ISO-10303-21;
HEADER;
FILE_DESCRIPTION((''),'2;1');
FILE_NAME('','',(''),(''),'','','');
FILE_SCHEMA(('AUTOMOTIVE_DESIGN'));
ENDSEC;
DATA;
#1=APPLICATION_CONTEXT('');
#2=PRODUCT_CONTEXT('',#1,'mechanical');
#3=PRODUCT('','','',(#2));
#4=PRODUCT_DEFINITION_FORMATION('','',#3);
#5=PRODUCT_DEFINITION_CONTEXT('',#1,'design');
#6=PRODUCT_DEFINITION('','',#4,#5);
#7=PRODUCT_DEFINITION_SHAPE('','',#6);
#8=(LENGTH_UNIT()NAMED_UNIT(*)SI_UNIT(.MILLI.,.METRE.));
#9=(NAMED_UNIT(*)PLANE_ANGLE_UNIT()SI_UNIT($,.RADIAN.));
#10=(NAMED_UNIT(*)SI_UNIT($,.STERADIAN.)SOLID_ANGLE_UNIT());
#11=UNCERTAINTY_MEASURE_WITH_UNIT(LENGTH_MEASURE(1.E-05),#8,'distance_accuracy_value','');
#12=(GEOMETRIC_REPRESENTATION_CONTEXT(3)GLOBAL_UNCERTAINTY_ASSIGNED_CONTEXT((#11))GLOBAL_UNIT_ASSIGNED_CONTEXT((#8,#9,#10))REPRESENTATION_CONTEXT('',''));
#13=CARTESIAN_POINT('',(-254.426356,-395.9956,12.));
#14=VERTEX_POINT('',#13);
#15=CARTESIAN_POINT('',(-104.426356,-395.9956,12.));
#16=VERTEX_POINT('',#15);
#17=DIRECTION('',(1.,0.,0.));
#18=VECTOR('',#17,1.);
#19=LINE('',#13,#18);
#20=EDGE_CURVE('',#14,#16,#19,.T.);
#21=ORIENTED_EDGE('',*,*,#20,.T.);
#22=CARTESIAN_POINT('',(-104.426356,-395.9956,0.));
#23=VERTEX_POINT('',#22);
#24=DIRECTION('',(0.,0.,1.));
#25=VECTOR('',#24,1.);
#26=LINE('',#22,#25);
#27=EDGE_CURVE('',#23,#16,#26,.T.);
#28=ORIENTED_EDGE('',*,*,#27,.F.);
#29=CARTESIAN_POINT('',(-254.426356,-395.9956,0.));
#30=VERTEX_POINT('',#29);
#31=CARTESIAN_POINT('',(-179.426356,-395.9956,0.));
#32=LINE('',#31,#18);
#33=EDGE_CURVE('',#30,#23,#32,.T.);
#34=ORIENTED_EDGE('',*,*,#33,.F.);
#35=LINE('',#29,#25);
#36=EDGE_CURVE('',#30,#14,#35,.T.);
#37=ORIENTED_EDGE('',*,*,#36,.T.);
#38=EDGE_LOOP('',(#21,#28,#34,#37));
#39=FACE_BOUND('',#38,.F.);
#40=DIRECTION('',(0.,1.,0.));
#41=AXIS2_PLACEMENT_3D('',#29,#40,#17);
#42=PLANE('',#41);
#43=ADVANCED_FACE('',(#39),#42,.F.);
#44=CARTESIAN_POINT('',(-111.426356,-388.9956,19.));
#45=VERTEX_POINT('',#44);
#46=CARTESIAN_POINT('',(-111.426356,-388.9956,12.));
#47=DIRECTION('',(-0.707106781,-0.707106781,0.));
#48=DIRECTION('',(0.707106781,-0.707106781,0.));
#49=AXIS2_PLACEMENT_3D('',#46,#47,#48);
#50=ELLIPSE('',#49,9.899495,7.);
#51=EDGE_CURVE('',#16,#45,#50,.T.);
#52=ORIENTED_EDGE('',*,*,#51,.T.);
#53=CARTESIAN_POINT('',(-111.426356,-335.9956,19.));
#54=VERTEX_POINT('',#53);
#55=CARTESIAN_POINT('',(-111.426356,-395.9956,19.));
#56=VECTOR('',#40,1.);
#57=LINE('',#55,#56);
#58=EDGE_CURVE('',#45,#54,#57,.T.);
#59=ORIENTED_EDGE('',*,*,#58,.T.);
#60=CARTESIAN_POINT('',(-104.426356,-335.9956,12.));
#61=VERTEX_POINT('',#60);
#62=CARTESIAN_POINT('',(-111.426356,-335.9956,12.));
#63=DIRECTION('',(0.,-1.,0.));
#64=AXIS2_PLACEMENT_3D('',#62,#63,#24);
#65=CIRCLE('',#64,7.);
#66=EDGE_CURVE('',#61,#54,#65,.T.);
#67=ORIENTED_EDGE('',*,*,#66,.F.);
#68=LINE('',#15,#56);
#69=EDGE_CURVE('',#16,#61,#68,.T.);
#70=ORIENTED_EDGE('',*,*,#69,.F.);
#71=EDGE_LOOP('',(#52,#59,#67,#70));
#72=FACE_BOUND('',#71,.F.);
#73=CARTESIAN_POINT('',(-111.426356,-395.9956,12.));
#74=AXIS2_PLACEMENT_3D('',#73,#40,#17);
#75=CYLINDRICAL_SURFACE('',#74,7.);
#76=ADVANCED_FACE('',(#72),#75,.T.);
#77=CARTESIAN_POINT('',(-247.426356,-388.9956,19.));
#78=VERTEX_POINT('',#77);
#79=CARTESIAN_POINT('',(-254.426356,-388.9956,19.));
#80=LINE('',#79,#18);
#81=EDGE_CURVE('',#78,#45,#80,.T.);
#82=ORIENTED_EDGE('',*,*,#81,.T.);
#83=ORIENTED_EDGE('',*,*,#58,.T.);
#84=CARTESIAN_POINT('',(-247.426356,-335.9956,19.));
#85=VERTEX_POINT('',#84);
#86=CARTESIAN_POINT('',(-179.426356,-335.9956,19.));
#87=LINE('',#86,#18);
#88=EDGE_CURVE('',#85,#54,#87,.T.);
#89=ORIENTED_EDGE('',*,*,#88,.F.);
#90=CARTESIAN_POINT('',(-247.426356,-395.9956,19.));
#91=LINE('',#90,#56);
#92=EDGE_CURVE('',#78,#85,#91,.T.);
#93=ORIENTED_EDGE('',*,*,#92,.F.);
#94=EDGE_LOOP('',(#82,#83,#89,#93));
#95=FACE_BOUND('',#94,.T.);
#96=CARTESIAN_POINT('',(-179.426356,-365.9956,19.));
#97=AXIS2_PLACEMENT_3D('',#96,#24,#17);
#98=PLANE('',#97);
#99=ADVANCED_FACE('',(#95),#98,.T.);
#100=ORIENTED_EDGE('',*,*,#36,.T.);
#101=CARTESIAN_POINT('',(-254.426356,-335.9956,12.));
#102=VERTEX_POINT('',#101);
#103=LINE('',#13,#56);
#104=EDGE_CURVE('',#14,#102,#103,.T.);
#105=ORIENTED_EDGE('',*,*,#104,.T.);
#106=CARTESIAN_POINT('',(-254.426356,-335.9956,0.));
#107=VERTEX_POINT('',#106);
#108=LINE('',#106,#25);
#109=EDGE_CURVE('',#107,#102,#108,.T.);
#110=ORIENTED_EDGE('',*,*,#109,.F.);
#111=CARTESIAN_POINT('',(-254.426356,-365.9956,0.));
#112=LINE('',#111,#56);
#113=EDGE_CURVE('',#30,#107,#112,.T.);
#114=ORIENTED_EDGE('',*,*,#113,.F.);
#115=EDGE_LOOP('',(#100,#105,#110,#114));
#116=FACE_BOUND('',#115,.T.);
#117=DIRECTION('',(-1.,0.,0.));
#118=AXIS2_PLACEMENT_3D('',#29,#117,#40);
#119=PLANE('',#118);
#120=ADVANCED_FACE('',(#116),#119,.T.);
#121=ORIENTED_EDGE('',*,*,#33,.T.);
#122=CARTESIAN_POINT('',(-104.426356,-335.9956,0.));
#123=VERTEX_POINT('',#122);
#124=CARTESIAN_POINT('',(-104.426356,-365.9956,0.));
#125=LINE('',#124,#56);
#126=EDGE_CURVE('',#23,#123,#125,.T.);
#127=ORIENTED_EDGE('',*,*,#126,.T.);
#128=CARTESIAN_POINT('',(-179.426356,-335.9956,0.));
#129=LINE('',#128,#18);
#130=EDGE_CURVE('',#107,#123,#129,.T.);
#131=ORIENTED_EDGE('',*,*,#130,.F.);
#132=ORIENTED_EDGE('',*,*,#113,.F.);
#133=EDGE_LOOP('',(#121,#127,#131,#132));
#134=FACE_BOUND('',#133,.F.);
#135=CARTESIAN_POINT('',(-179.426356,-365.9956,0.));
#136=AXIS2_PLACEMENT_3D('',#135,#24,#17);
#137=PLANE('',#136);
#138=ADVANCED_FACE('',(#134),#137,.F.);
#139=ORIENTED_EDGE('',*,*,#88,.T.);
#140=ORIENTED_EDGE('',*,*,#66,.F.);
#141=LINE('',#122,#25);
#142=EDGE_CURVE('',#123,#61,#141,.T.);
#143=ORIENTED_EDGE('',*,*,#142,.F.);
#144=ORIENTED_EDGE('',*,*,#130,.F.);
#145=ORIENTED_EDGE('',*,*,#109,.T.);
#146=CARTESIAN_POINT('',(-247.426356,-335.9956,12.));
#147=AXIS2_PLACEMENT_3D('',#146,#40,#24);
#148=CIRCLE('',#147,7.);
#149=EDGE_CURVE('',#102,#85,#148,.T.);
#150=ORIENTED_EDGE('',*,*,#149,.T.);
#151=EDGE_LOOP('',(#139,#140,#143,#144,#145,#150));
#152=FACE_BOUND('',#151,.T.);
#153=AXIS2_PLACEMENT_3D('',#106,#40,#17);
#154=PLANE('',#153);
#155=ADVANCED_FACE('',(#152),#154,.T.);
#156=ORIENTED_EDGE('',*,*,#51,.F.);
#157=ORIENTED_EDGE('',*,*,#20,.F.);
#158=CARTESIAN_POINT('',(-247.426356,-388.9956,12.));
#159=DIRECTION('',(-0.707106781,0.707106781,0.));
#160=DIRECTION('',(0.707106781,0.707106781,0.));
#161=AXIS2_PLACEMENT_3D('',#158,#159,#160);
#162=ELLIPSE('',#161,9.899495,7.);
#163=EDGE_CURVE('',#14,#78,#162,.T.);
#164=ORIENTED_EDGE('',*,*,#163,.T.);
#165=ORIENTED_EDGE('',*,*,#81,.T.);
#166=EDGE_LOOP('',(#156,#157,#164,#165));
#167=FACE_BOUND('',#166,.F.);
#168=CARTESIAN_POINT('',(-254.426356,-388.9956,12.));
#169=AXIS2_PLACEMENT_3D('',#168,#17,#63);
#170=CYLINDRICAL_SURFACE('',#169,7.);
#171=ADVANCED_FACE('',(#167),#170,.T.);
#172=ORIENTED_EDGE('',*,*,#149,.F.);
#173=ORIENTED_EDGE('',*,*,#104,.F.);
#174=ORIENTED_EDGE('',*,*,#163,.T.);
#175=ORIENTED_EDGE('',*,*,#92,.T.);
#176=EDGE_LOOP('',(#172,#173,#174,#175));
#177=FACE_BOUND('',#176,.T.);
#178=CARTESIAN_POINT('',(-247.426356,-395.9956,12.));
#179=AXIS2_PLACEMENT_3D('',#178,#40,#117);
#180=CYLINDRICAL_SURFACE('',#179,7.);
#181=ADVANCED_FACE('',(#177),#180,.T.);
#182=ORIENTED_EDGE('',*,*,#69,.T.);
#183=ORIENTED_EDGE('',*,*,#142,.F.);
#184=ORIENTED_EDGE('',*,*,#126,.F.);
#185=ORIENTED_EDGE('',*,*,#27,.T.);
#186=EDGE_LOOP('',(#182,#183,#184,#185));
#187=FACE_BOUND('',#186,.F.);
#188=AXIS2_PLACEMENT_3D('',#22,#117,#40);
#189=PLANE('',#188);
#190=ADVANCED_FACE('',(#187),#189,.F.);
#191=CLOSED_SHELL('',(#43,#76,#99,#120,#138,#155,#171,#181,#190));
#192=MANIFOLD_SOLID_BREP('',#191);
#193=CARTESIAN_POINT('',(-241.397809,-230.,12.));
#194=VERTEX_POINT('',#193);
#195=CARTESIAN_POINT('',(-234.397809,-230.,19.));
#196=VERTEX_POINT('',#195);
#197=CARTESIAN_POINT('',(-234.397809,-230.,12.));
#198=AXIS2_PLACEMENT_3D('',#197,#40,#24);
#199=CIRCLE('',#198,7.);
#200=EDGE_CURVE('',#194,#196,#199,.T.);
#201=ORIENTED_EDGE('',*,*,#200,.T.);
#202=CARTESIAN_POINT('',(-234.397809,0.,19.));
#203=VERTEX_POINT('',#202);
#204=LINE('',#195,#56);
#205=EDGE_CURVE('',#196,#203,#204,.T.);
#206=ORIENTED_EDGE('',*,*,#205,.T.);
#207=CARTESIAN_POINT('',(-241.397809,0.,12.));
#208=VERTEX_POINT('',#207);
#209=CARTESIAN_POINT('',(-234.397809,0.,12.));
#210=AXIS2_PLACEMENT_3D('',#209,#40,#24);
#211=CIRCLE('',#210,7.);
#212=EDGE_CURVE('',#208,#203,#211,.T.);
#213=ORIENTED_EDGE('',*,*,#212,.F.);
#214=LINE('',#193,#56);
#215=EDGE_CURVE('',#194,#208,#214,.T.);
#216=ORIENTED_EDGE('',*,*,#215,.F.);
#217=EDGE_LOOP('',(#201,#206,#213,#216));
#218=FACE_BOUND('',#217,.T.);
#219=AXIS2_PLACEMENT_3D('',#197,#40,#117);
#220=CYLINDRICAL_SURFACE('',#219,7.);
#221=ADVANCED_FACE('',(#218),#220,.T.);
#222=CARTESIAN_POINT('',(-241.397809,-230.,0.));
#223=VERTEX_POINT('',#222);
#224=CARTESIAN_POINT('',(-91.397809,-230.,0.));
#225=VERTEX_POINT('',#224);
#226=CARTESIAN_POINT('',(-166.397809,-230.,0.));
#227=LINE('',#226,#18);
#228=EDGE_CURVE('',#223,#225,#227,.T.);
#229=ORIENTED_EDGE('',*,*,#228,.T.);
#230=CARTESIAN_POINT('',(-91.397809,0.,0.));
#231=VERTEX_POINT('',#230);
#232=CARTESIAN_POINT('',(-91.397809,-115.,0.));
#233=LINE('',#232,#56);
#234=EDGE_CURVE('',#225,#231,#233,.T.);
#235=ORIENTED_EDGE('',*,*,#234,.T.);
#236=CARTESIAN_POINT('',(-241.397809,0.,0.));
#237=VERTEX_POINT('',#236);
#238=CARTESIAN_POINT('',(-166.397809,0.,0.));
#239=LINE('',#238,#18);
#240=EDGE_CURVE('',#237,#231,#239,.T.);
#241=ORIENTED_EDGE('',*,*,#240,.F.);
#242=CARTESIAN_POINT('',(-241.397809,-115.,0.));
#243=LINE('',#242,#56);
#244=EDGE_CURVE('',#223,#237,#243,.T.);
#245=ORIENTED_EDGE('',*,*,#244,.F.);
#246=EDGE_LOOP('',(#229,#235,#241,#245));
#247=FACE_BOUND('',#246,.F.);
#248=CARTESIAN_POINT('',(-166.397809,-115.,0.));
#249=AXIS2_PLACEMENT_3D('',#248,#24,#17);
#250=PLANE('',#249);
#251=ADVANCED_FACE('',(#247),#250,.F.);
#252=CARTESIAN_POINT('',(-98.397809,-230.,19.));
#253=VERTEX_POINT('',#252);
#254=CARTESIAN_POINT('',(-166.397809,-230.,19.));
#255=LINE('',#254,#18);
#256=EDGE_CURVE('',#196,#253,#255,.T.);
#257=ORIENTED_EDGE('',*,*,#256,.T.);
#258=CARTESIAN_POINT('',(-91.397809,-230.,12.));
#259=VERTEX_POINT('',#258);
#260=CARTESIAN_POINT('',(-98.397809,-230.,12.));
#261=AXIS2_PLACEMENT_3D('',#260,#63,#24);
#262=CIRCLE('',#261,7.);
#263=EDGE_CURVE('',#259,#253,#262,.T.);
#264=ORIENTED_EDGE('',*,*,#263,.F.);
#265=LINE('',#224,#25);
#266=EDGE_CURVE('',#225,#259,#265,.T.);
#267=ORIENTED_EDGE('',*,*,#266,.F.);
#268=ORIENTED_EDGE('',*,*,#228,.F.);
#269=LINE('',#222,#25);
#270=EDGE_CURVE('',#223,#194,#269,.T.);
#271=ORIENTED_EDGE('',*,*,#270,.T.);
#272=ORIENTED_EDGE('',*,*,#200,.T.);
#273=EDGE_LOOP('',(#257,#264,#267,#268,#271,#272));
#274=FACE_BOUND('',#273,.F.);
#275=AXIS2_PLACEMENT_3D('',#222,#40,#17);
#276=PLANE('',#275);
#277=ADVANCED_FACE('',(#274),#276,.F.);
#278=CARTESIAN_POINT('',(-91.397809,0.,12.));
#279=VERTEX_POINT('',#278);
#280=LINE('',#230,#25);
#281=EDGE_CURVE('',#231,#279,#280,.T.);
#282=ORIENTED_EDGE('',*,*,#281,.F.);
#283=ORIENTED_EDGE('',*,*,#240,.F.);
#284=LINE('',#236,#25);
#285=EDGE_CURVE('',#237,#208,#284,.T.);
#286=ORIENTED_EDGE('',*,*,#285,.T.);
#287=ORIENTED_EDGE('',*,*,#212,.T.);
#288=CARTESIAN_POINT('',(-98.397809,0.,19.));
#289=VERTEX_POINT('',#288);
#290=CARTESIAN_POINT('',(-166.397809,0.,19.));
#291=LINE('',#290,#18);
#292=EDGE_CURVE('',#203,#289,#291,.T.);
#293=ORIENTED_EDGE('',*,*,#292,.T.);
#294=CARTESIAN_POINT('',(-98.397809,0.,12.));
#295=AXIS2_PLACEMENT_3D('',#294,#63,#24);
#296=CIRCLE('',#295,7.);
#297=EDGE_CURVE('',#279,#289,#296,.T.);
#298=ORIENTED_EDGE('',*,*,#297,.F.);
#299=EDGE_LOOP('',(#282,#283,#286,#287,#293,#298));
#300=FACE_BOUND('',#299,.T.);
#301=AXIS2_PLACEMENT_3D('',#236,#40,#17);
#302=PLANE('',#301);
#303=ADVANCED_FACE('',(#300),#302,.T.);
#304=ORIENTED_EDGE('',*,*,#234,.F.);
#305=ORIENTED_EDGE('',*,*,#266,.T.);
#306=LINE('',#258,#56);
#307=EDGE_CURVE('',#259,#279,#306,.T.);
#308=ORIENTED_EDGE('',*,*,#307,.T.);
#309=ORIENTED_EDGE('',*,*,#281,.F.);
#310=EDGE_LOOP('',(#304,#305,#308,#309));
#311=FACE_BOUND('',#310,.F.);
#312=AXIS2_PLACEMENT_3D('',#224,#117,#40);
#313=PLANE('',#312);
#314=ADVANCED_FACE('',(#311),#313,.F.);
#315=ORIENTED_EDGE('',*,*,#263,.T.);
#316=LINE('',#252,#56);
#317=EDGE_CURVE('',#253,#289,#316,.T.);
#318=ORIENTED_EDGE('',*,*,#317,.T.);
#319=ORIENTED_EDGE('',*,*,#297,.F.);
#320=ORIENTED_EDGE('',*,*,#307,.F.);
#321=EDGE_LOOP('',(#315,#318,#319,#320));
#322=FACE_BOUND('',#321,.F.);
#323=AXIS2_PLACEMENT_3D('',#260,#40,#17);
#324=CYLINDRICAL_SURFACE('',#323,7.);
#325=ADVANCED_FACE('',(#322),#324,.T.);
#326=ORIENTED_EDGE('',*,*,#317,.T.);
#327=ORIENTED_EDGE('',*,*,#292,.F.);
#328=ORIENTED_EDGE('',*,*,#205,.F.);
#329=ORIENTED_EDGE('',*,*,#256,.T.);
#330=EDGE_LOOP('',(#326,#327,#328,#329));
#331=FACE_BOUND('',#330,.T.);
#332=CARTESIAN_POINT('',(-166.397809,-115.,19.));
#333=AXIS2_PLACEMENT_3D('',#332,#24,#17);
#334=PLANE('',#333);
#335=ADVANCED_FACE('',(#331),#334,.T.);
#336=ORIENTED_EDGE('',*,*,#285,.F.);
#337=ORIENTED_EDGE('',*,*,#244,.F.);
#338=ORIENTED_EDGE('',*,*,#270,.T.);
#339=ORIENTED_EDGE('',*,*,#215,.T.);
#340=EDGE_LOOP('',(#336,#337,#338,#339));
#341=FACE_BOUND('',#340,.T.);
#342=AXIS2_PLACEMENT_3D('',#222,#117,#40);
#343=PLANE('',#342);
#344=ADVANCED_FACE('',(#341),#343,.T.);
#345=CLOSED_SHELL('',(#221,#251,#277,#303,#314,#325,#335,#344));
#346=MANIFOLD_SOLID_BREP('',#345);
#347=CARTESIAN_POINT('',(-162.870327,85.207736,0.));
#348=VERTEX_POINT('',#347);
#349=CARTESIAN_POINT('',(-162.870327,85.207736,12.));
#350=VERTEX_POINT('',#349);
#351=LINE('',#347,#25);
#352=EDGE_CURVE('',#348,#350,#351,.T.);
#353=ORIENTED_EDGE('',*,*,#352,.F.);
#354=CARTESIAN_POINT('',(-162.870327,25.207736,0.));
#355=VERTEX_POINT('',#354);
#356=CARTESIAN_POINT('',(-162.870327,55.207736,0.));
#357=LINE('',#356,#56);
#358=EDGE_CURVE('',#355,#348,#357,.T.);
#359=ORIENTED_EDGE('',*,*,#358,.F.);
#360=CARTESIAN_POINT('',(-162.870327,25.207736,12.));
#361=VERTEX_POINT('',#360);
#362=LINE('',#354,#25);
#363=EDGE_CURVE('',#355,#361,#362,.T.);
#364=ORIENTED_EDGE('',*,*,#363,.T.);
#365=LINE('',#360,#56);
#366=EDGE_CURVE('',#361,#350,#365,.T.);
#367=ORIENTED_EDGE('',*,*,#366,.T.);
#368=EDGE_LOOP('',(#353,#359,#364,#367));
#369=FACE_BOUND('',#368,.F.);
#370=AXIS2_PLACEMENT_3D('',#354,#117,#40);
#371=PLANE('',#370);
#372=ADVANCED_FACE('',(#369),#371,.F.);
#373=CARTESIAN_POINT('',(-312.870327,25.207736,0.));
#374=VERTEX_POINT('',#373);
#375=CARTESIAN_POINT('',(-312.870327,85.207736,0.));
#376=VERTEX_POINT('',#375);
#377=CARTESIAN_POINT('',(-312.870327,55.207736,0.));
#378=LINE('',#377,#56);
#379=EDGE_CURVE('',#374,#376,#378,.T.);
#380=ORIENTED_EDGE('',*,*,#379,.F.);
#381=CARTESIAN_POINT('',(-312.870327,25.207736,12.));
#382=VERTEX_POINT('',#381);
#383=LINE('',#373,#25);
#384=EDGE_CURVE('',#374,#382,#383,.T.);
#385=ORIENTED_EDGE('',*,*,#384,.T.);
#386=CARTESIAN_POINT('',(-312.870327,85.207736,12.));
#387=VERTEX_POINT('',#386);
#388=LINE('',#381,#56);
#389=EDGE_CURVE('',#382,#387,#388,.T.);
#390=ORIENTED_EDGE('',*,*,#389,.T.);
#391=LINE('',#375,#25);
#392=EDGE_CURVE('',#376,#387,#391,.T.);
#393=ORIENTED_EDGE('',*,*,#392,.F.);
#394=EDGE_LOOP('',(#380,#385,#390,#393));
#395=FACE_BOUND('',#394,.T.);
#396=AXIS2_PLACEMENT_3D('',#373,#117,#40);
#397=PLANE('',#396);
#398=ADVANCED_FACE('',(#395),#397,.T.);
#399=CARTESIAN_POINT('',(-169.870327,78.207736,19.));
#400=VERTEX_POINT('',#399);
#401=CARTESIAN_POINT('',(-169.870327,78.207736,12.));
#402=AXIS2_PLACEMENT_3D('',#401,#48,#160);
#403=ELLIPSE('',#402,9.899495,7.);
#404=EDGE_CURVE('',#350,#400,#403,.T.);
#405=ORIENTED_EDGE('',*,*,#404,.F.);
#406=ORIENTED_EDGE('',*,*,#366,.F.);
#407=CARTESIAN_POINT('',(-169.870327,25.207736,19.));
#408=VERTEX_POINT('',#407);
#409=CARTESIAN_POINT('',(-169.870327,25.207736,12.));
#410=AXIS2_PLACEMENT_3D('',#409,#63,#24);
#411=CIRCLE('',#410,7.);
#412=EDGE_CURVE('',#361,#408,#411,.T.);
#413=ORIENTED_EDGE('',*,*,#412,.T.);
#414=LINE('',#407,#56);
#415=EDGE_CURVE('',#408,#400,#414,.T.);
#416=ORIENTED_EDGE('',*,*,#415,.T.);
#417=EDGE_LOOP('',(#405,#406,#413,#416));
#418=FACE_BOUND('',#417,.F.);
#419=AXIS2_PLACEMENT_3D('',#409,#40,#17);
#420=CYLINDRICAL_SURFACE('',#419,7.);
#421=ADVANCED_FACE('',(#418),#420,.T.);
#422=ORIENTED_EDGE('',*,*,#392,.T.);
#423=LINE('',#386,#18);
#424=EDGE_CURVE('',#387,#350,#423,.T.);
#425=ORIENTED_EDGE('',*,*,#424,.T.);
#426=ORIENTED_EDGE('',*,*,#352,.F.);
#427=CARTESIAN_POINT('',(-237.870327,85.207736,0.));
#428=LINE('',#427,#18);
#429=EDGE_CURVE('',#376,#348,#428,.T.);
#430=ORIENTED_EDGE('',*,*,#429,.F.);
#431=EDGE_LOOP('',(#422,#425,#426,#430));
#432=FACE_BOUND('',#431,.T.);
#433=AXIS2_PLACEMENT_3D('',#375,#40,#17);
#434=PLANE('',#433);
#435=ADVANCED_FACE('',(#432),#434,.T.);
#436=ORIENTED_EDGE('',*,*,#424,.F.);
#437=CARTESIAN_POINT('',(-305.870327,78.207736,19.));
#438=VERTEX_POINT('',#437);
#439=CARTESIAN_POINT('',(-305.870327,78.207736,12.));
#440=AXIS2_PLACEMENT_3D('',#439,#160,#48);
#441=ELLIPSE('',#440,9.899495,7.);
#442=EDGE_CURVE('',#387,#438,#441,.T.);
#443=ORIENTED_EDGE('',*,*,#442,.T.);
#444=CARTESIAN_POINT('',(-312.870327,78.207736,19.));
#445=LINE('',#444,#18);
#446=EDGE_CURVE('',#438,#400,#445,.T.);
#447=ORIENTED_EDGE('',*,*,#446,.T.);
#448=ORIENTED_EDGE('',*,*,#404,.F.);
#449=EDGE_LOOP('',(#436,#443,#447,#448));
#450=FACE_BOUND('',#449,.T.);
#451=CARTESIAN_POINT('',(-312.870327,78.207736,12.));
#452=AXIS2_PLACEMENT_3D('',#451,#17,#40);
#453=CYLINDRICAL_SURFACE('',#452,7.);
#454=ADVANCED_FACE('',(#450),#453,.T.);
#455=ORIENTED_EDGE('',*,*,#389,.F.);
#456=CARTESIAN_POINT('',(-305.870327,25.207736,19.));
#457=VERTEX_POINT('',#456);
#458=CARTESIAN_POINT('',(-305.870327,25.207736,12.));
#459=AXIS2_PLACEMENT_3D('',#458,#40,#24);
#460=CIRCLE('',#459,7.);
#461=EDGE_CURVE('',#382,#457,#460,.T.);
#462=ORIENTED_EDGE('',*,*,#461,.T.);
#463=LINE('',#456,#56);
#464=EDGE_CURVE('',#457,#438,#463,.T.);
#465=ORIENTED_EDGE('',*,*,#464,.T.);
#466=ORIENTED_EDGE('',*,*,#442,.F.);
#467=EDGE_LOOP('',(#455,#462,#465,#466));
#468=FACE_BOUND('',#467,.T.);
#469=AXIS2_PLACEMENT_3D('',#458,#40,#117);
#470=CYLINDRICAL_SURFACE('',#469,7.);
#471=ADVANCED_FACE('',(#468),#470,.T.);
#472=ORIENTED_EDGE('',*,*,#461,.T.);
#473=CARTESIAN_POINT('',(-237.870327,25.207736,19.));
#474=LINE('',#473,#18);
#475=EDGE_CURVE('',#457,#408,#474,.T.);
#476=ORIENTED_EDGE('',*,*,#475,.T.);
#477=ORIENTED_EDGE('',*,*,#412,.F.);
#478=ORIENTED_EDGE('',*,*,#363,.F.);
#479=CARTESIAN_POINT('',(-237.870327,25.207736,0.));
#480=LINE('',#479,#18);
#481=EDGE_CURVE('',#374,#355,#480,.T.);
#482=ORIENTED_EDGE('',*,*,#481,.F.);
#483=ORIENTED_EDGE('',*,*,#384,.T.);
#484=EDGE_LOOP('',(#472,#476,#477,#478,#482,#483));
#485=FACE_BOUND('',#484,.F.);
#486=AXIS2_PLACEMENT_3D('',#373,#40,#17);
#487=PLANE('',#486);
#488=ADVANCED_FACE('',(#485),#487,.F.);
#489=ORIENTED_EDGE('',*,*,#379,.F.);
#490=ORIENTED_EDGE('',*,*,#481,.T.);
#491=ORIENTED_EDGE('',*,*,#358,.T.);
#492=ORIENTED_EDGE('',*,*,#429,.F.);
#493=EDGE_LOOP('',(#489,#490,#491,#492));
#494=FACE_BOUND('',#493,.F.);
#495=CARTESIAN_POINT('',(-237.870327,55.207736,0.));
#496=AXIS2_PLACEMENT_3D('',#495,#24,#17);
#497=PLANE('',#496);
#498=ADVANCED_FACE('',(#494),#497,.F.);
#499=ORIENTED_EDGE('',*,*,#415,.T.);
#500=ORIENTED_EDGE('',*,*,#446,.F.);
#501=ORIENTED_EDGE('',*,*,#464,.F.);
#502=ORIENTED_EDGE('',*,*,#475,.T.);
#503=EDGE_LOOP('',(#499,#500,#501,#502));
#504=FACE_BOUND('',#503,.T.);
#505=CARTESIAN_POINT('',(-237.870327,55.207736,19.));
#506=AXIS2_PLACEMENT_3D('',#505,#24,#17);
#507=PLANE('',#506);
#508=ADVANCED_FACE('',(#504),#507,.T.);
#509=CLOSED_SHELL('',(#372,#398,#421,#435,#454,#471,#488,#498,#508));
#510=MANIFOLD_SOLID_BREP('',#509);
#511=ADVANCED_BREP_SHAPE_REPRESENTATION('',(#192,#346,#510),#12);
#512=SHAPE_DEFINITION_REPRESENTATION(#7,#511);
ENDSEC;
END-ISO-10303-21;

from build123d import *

# Parameters (mm, degrees)
F0_W     = 150
F0_H     = 60
F2_DEPTH = 19
F1_W     = 150
F1_H     = 230
F3_DEPTH = 19
F4_W     = 150
F4_H     = 60
F5_DEPTH = 19
F6_R     = 7
F6_2_R   = 7
F6_3_R   = 7


with BuildPart() as f2:
    # F0 (on Top) → F2 (new body)
    with BuildSketch(Plane.XY):
        with Locations((-237.870327, 55.207736)):
            Rectangle(F0_W, F0_H)
    extrude(amount=F2_DEPTH)

    # F6#3
    f6_3_edges = [f2.edges().sort_by_distance(p)[0] for p in [
        (-162.870327, 55.207736, 19),
        (-237.870327, 85.207736, 19),
        (-312.870327, 55.207736, 19),
    ]]
    fillet(f6_3_edges, radius=F6_3_R)


with BuildPart() as f3:
    # F1 (on Top) → F3 (new body)
    with BuildSketch(Plane.XY):
        with Locations((-166.397809, -115)):
            Rectangle(F1_W, F1_H)
    extrude(amount=F3_DEPTH)

    # F6#2
    f6_2_edges = [f3.edges().sort_by_distance(p)[0] for p in [
        (-91.397809, -115, 19),
        (-241.397809, -115, 19),
    ]]
    fillet(f6_2_edges, radius=F6_2_R)


with BuildPart() as f5:
    # F4 (on Top) → F5 (new body)
    with BuildSketch(Plane.XY):
        with Locations((-179.426356, -365.9956)):
            Rectangle(F4_W, F4_H)
    extrude(amount=F5_DEPTH)

    # F6
    f6_edges = [f5.edges().sort_by_distance(p)[0] for p in [
        (-179.426356, -395.9956, 19),
        (-104.426356, -365.9956, 19),
        (-254.426356, -365.9956, 19),
    ]]
    fillet(f6_edges, radius=F6_R)


solid = Compound([f2.part, f3.part, f5.part])
